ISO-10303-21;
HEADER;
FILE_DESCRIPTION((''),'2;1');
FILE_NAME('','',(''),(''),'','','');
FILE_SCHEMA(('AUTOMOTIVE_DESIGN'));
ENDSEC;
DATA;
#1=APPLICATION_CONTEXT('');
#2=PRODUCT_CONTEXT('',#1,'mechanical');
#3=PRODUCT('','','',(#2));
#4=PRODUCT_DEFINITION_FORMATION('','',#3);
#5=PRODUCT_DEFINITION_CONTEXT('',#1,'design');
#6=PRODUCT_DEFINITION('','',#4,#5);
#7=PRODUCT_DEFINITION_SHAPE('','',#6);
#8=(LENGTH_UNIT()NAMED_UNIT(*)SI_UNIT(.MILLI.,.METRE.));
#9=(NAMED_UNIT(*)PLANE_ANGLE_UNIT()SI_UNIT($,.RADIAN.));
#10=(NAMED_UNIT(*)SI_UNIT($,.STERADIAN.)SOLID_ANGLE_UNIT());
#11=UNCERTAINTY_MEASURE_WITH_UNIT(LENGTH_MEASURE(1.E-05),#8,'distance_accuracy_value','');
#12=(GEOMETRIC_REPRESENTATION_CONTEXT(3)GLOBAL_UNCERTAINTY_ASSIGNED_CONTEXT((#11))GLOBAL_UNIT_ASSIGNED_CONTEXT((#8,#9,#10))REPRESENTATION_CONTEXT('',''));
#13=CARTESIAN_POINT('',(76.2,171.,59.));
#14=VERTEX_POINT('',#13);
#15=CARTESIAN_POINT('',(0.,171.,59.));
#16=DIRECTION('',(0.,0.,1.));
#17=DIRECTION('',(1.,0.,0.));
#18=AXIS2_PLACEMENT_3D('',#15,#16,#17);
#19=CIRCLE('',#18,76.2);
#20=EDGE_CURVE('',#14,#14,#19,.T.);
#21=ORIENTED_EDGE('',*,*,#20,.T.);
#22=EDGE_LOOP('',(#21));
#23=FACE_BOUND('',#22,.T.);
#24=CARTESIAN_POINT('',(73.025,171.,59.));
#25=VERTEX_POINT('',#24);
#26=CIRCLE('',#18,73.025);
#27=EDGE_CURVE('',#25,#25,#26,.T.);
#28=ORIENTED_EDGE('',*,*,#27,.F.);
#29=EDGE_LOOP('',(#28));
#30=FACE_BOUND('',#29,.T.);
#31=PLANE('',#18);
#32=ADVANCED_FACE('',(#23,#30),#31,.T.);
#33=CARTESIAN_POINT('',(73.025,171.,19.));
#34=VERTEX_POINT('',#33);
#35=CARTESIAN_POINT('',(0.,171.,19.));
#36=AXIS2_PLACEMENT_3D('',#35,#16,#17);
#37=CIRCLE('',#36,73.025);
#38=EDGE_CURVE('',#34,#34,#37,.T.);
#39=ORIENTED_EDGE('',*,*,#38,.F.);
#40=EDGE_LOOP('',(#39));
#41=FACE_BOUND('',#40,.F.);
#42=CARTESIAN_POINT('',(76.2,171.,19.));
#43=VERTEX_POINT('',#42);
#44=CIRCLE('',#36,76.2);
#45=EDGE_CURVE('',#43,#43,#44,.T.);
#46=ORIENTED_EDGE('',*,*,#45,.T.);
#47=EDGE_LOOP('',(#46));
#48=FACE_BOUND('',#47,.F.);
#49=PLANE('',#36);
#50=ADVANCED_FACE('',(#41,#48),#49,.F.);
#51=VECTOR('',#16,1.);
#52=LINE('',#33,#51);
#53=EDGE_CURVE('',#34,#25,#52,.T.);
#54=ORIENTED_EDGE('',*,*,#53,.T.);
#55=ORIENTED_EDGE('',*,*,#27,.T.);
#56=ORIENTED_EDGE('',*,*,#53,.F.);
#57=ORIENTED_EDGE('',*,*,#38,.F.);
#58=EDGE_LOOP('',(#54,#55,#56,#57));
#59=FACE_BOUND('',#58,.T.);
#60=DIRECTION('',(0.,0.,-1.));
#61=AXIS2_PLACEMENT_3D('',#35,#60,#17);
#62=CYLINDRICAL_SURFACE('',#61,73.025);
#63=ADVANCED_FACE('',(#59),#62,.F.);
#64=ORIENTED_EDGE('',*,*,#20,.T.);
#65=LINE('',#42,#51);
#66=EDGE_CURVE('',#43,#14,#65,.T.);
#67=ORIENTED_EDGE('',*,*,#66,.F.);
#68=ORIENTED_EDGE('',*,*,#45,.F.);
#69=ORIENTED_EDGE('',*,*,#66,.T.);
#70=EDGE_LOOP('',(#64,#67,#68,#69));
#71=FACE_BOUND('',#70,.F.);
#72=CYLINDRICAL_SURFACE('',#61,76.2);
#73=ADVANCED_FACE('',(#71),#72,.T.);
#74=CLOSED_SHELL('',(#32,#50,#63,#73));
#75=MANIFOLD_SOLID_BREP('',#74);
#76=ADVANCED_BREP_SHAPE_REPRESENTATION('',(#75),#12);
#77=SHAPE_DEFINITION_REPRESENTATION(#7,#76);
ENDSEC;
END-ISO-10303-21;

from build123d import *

# Parameters (mm, degrees)
CYLINDER008_R     = 73.025
CYLINDER008_DEPTH = 40
CYLINDER002_R     = 76.2
CYLINDER002_DEPTH = 40


with BuildPart() as chamberwall001:
    # Cylinder008 → Cylinder008 (new body)
    with BuildSketch(Plane(origin=(0, 148, 0), x_dir=(1, 0, 0), z_dir=(0, 0, 1))):
        Circle(CYLINDER008_R)
    extrude(amount=CYLINDER008_DEPTH)


with BuildPart() as chamberwall002:
    # Cylinder002 → Cylinder002 (new body)
    with BuildSketch(Plane(origin=(0, 148, 0), x_dir=(1, 0, 0), z_dir=(0, 0, 1))):
        Circle(CYLINDER002_R)
    extrude(amount=CYLINDER002_DEPTH)

    # Cut: cut ChamberWall001
    add(chamberwall001.part, mode=Mode.SUBTRACT)


with BuildPart() as chamberwall002_1:
    # Cut placement: moved
    add(chamberwall002.part.moved(Location((0, 23, 19))))


solid = chamberwall002_1.part
